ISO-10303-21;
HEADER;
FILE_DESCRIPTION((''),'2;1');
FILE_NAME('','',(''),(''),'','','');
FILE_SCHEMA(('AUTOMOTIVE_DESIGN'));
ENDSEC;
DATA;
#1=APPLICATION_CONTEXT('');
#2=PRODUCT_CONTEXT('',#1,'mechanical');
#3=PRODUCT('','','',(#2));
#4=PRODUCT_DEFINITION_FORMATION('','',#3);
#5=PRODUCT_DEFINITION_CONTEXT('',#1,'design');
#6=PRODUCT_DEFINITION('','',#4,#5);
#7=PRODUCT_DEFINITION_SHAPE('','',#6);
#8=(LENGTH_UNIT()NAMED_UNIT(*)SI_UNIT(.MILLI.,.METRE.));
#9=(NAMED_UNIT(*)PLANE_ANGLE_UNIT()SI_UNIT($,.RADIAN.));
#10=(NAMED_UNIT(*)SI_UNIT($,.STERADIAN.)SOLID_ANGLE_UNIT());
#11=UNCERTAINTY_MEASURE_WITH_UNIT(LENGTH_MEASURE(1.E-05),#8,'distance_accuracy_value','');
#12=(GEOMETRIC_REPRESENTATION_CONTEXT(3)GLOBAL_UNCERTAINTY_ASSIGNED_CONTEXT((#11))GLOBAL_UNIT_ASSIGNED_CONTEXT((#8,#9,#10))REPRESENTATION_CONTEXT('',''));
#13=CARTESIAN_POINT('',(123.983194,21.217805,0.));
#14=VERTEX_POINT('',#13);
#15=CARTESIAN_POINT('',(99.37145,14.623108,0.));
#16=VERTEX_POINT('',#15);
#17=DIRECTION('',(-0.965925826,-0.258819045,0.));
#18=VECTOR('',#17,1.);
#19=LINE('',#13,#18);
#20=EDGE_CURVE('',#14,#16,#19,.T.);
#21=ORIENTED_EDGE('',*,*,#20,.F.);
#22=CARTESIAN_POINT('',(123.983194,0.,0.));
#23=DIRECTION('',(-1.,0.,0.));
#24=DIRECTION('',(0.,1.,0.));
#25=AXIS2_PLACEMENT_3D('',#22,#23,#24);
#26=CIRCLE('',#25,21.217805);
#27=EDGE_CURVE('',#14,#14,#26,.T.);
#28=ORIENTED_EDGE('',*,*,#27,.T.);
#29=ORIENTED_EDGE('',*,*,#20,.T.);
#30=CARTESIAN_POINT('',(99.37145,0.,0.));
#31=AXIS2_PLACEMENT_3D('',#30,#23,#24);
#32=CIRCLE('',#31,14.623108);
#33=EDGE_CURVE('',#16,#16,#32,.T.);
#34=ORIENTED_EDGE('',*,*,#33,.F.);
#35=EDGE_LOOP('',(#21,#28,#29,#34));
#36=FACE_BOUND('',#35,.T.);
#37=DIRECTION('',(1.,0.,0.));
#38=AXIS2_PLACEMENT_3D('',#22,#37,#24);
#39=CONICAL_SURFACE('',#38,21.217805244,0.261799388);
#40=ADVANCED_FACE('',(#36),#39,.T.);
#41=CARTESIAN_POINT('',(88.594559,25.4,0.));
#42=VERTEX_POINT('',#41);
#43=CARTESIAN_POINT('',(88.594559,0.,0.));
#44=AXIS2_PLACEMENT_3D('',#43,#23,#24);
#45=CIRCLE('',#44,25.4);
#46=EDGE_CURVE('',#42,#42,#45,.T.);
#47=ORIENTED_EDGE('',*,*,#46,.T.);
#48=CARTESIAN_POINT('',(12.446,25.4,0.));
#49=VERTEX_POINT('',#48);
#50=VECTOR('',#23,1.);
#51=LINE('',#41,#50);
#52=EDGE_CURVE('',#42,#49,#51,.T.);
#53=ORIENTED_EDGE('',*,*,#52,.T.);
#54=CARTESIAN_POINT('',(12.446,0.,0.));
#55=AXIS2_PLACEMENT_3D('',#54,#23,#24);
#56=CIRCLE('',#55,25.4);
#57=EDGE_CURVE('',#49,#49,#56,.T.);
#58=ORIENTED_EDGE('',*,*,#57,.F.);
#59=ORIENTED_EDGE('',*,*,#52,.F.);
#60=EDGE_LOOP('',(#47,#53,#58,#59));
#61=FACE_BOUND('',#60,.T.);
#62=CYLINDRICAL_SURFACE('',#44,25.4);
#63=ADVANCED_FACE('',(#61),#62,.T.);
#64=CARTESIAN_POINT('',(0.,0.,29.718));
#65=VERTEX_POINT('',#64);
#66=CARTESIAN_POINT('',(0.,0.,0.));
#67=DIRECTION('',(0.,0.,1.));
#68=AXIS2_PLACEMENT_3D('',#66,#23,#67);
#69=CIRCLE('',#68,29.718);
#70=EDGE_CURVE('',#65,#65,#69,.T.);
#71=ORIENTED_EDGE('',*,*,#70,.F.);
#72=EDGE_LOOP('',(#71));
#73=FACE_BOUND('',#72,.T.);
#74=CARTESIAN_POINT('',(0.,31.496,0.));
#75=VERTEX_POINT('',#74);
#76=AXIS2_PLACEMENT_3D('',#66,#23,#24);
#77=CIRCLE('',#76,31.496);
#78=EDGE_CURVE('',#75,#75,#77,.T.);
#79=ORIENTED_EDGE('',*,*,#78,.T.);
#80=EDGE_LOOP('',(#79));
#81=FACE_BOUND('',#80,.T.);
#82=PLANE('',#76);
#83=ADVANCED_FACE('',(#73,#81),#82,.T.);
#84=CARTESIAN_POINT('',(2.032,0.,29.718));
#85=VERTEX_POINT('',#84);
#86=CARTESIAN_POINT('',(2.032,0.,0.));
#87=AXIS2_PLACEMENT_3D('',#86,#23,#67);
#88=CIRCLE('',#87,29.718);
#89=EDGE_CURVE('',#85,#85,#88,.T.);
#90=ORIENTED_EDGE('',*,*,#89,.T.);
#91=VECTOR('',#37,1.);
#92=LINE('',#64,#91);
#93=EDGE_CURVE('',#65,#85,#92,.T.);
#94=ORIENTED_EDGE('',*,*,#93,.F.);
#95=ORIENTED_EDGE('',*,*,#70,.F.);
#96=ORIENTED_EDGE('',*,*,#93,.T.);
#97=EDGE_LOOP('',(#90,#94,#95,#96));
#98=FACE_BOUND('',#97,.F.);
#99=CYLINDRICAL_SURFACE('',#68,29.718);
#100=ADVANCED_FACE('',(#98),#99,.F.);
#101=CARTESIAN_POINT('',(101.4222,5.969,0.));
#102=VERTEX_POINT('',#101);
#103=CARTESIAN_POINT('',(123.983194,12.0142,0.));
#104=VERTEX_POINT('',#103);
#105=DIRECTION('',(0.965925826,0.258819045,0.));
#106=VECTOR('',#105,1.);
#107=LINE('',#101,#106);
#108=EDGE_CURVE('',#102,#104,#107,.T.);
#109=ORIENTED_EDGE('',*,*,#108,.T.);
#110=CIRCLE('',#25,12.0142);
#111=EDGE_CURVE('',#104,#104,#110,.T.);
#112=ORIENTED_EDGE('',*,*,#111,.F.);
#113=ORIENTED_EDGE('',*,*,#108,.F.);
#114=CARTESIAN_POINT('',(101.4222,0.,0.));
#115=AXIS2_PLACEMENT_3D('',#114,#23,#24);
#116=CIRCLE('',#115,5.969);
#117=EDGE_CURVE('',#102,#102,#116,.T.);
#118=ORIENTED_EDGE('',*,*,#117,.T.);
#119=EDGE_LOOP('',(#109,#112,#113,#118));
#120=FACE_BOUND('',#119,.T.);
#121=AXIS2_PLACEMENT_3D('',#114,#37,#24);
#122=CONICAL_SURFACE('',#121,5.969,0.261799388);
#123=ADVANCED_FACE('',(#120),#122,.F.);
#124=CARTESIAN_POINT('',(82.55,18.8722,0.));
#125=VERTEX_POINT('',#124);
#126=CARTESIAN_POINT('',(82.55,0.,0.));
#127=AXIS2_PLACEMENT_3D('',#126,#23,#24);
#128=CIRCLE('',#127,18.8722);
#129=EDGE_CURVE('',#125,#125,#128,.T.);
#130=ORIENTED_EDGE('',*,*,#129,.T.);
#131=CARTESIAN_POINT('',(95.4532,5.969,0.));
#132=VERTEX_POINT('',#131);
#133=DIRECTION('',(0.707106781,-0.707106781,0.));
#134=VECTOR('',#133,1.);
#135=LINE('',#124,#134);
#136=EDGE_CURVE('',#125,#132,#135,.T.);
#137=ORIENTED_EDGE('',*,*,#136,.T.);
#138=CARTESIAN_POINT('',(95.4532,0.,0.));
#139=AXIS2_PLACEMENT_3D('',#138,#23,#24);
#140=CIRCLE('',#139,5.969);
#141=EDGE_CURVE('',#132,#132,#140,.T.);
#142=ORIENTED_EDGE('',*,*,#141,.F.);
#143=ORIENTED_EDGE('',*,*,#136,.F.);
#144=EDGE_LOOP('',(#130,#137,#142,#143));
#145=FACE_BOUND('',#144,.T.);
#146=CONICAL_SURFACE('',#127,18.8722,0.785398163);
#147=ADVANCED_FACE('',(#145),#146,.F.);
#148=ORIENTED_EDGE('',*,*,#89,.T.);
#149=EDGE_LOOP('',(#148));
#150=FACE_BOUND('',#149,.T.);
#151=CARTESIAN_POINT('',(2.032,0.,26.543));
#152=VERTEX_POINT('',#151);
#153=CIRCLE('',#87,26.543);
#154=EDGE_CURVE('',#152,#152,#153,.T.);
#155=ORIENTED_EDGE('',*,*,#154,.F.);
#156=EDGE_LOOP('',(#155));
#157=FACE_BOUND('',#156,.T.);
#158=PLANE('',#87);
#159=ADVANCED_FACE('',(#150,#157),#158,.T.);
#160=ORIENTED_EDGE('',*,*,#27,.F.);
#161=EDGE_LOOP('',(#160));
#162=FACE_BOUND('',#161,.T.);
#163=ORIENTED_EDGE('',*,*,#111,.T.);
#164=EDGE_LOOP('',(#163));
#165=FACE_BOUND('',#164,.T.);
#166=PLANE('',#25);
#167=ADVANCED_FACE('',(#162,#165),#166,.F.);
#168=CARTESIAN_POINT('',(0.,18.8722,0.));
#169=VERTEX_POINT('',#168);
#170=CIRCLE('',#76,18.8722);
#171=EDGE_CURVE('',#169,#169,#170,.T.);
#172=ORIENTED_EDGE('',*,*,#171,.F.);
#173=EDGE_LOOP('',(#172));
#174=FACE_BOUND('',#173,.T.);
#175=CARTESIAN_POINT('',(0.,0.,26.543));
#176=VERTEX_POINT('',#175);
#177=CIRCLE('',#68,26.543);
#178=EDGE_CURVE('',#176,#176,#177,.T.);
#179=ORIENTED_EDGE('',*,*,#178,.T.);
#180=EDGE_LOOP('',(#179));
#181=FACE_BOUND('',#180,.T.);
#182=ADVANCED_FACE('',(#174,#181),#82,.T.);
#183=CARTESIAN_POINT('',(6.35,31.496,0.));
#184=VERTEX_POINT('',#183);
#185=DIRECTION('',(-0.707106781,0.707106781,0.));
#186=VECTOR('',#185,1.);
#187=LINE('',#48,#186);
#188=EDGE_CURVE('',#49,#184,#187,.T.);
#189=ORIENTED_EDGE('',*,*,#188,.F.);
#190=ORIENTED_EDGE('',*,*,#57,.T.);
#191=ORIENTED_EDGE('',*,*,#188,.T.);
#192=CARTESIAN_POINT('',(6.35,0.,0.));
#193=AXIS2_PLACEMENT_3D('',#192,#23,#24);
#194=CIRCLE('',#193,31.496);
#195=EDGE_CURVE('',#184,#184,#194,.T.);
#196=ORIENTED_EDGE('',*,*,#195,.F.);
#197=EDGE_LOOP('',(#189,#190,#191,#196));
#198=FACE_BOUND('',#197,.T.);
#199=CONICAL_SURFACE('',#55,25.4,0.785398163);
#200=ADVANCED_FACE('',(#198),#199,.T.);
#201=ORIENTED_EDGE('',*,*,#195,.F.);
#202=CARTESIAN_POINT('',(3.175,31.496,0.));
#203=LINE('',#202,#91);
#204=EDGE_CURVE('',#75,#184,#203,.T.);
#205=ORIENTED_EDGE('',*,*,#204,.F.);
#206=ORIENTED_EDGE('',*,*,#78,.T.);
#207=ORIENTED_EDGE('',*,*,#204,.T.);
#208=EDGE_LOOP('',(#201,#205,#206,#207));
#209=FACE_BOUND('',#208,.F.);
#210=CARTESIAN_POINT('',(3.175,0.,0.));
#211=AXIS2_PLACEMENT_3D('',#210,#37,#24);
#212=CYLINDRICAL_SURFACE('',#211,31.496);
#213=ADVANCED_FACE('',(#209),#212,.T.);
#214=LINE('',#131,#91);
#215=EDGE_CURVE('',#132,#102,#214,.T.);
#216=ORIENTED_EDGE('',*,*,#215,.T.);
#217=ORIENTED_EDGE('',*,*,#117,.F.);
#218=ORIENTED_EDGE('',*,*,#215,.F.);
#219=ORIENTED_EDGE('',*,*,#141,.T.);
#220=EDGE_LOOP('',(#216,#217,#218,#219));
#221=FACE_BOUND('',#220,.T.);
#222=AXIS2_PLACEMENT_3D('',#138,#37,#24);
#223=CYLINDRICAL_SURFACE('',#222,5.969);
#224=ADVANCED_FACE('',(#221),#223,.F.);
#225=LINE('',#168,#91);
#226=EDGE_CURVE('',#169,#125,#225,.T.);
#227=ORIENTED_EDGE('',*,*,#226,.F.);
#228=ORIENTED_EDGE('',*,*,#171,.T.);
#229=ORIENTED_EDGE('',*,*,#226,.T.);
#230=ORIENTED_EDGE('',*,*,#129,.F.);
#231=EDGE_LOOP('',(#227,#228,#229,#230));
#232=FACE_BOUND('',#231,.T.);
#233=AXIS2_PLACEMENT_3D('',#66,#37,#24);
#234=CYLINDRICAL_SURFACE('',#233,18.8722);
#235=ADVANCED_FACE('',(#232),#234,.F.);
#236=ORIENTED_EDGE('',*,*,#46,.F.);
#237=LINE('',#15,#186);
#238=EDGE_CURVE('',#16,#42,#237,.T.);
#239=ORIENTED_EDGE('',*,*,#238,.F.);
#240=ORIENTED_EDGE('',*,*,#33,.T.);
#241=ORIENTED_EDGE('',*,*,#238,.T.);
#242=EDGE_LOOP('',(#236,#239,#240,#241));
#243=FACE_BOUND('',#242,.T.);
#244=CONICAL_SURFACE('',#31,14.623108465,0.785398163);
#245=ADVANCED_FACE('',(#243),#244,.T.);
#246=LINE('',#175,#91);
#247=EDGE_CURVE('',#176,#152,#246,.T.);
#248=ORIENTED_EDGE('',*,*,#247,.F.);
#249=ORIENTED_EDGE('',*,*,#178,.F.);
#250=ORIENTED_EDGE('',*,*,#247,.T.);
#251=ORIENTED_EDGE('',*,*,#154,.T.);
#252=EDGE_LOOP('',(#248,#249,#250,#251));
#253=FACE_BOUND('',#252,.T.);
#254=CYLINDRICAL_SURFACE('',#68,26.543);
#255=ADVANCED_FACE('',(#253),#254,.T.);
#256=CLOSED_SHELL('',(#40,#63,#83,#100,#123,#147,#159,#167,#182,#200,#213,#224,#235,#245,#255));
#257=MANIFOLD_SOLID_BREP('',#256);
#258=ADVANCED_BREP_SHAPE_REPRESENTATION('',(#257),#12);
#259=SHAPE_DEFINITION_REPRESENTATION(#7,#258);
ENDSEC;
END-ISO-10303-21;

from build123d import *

# Parameters (mm, degrees)
SKETCH1_W          = 6.35
SKETCH1_H          = 6.096
SKETCH2_R          = 29.718
SKETCH2_R_2        = 26.543
CUT_EXTRUDE1_DEPTH = 2.032


with BuildPart() as part:
    # Sketch1 → Revolve1 (revolve)
    with BuildSketch(Plane.XY):
        Polygon((0, 25.4), (0, 18.8722), (82.55, 18.8722), (95.4532, 5.969), (101.4222, 5.969), (123.983193542, 12.0142), (123.983193542, 21.217805244), (99.371450104, 14.623108465), (88.594558569, 25.4), (12.446, 25.4), (6.35, 25.4), align=None)
        with Locations((3.175, 28.448)):
            Rectangle(SKETCH1_W, SKETCH1_H)
        Polygon((6.35, 31.496), (6.35, 25.4), (12.446, 25.4), align=None)
    revolve(axis=Axis((0, 0, 0), (-1, 0, 0)))

    # Sketch2 → Cut-Extrude1 (cut)
    with BuildSketch(Plane.ZY):
        Circle(SKETCH2_R)
        Circle(SKETCH2_R_2, mode=Mode.SUBTRACT)
    extrude(amount=-CUT_EXTRUDE1_DEPTH, mode=Mode.SUBTRACT)


solid = part.part
